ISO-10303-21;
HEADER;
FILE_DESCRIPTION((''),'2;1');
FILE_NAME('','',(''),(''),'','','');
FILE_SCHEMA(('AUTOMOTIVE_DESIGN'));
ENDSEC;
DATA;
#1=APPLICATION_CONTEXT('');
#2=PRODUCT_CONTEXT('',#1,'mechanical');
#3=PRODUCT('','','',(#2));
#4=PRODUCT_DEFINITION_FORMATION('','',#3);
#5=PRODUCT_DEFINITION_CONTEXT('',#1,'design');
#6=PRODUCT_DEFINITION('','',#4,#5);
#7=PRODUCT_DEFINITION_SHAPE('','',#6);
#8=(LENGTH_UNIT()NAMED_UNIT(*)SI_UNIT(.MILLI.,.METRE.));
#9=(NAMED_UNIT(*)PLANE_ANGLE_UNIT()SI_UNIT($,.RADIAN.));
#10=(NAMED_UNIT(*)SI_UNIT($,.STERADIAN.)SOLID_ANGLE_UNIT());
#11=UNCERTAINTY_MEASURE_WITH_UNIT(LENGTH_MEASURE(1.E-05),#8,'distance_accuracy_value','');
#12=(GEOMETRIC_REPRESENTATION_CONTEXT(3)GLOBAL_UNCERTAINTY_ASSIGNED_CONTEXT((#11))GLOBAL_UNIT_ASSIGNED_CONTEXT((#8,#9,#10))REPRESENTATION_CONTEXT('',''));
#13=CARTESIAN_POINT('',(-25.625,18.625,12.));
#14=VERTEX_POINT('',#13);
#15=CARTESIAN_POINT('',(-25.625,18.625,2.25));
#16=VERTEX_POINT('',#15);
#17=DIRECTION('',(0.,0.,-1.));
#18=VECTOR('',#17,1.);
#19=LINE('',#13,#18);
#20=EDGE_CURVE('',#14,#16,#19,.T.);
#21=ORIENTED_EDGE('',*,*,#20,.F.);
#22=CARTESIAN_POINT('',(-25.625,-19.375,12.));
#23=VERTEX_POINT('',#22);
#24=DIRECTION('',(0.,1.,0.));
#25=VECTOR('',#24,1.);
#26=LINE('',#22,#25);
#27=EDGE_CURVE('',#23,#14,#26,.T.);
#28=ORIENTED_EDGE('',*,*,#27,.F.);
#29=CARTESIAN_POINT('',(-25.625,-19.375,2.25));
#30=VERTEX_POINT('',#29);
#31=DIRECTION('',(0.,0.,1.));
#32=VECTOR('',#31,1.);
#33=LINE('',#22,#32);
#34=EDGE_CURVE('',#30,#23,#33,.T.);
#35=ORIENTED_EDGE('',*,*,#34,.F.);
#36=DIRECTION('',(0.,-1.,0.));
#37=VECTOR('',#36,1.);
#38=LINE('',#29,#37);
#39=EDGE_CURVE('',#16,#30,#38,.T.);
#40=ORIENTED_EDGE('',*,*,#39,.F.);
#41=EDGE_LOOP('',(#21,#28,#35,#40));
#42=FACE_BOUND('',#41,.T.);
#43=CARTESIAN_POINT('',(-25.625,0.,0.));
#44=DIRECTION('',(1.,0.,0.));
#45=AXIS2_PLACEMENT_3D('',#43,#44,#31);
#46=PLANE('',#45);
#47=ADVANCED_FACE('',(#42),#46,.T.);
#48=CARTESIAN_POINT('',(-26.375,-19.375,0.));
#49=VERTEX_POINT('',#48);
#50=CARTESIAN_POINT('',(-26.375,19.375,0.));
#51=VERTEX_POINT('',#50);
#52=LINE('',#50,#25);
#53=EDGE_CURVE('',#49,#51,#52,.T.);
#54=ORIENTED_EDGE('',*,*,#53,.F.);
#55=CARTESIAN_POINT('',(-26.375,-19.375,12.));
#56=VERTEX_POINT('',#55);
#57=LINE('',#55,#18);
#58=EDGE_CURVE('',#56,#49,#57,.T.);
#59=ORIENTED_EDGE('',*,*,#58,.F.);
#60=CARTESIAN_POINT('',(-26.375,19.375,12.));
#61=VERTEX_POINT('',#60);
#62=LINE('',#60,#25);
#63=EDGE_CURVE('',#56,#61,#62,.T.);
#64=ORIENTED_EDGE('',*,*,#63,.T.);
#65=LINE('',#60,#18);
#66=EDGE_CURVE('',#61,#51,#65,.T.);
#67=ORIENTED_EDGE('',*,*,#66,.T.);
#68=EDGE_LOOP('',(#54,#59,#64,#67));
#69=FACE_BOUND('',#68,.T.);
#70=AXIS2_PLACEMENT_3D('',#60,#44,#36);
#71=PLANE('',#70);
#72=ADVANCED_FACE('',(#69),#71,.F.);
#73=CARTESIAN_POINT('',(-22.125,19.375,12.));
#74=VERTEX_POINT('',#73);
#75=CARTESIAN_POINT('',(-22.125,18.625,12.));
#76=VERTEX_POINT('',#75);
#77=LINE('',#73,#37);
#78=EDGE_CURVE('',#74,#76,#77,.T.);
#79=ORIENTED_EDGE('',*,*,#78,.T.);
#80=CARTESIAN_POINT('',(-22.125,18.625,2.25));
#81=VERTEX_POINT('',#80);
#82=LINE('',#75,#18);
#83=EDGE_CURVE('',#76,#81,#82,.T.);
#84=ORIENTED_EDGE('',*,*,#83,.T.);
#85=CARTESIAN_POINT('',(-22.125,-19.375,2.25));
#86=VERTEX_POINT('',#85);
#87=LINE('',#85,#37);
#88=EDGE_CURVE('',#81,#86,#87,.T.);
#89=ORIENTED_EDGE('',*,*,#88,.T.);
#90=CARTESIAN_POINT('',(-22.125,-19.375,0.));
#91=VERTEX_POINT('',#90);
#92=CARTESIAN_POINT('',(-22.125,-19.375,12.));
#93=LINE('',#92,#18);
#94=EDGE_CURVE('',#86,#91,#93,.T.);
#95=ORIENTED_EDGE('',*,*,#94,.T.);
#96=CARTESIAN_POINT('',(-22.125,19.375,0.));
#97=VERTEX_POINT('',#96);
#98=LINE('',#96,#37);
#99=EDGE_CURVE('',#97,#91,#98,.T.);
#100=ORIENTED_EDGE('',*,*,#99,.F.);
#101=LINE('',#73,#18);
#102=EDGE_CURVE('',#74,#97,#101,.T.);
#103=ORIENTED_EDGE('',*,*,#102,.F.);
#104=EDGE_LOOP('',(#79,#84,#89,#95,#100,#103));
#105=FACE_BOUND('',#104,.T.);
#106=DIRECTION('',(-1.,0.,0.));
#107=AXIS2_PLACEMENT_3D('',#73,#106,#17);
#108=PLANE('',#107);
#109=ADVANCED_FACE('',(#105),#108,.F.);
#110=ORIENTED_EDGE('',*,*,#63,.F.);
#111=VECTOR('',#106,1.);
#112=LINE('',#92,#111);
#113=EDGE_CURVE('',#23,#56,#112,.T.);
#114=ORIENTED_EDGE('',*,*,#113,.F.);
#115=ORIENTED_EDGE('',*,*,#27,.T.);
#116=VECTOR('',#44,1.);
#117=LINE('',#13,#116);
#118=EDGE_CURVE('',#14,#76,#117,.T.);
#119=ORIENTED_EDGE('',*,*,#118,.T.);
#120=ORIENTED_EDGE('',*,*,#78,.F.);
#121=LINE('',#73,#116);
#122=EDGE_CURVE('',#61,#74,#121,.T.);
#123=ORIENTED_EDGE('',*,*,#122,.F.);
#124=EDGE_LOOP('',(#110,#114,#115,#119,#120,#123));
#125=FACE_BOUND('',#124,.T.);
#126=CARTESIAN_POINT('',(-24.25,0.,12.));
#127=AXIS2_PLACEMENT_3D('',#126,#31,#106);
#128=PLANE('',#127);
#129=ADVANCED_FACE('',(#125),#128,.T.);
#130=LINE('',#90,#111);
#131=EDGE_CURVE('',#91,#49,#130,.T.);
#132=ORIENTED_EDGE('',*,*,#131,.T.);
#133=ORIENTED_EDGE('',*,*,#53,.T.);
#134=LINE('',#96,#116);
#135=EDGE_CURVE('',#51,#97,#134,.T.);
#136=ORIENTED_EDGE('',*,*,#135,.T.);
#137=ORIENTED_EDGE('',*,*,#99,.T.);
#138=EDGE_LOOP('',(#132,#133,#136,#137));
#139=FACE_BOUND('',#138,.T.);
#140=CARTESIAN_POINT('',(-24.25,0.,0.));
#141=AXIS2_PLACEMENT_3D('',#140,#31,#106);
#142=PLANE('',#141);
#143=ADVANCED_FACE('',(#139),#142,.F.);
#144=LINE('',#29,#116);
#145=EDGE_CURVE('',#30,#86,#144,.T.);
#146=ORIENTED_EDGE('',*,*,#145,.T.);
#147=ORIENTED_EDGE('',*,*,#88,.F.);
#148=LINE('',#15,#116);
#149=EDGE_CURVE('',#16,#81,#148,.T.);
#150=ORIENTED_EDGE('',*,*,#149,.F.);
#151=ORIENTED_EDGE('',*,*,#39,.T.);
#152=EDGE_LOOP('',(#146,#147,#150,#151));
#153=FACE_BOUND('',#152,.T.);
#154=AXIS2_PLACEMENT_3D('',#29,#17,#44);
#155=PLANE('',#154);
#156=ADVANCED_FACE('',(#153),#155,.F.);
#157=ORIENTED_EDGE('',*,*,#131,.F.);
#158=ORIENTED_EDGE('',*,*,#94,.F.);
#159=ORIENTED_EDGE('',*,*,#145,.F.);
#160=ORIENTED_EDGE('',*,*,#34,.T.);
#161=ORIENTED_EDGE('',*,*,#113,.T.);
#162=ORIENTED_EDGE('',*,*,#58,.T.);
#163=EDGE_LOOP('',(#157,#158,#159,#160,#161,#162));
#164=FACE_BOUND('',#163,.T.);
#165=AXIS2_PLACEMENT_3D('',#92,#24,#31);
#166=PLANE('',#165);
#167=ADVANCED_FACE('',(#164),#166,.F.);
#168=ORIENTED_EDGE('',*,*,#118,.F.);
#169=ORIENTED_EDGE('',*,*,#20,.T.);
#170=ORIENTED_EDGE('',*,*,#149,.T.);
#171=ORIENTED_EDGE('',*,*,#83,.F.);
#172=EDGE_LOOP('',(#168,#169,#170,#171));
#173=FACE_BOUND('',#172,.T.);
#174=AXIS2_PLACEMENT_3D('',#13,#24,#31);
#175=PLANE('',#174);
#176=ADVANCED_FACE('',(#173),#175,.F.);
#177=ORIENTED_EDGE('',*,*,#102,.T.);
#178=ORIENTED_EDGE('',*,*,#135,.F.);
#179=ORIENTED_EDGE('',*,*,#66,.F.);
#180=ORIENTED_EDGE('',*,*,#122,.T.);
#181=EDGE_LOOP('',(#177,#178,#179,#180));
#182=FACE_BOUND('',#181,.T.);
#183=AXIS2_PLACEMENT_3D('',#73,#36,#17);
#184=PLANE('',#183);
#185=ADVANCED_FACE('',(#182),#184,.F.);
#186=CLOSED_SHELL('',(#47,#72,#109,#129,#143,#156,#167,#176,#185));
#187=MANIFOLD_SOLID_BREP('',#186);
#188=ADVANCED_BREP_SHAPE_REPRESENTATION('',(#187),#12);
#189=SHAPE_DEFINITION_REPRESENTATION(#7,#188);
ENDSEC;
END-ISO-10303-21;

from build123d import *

# Parameters (mm, degrees)
SKETCH1_W           = 4.25
SKETCH1_H           = 38.75
BOSS_EXTRUDE1_DEPTH = 12
SKETCH2_W           = 9.75
SKETCH2_H           = 38
CUT_EXTRUDE1_DEPTH  = 3.5


with BuildPart() as part:
    # Sketch1 → Boss-Extrude1 (new body)
    with BuildSketch(Plane.XY):
        Rectangle(SKETCH1_W, SKETCH1_H)
    extrude(amount=BOSS_EXTRUDE1_DEPTH)

    # Sketch2 → Cut-Extrude1 (cut)
    with BuildSketch(Plane.ZY.offset(2.125)):
        with Locations((7.125, -0.375)):
            Rectangle(SKETCH2_W, SKETCH2_H)
    extrude(amount=-CUT_EXTRUDE1_DEPTH, mode=Mode.SUBTRACT)


with BuildPart() as body_2:
    # Mirror2: mirrored copy
    add(part.part.mirror(Plane.ZY.offset(12.125)))


solid = body_2.part
